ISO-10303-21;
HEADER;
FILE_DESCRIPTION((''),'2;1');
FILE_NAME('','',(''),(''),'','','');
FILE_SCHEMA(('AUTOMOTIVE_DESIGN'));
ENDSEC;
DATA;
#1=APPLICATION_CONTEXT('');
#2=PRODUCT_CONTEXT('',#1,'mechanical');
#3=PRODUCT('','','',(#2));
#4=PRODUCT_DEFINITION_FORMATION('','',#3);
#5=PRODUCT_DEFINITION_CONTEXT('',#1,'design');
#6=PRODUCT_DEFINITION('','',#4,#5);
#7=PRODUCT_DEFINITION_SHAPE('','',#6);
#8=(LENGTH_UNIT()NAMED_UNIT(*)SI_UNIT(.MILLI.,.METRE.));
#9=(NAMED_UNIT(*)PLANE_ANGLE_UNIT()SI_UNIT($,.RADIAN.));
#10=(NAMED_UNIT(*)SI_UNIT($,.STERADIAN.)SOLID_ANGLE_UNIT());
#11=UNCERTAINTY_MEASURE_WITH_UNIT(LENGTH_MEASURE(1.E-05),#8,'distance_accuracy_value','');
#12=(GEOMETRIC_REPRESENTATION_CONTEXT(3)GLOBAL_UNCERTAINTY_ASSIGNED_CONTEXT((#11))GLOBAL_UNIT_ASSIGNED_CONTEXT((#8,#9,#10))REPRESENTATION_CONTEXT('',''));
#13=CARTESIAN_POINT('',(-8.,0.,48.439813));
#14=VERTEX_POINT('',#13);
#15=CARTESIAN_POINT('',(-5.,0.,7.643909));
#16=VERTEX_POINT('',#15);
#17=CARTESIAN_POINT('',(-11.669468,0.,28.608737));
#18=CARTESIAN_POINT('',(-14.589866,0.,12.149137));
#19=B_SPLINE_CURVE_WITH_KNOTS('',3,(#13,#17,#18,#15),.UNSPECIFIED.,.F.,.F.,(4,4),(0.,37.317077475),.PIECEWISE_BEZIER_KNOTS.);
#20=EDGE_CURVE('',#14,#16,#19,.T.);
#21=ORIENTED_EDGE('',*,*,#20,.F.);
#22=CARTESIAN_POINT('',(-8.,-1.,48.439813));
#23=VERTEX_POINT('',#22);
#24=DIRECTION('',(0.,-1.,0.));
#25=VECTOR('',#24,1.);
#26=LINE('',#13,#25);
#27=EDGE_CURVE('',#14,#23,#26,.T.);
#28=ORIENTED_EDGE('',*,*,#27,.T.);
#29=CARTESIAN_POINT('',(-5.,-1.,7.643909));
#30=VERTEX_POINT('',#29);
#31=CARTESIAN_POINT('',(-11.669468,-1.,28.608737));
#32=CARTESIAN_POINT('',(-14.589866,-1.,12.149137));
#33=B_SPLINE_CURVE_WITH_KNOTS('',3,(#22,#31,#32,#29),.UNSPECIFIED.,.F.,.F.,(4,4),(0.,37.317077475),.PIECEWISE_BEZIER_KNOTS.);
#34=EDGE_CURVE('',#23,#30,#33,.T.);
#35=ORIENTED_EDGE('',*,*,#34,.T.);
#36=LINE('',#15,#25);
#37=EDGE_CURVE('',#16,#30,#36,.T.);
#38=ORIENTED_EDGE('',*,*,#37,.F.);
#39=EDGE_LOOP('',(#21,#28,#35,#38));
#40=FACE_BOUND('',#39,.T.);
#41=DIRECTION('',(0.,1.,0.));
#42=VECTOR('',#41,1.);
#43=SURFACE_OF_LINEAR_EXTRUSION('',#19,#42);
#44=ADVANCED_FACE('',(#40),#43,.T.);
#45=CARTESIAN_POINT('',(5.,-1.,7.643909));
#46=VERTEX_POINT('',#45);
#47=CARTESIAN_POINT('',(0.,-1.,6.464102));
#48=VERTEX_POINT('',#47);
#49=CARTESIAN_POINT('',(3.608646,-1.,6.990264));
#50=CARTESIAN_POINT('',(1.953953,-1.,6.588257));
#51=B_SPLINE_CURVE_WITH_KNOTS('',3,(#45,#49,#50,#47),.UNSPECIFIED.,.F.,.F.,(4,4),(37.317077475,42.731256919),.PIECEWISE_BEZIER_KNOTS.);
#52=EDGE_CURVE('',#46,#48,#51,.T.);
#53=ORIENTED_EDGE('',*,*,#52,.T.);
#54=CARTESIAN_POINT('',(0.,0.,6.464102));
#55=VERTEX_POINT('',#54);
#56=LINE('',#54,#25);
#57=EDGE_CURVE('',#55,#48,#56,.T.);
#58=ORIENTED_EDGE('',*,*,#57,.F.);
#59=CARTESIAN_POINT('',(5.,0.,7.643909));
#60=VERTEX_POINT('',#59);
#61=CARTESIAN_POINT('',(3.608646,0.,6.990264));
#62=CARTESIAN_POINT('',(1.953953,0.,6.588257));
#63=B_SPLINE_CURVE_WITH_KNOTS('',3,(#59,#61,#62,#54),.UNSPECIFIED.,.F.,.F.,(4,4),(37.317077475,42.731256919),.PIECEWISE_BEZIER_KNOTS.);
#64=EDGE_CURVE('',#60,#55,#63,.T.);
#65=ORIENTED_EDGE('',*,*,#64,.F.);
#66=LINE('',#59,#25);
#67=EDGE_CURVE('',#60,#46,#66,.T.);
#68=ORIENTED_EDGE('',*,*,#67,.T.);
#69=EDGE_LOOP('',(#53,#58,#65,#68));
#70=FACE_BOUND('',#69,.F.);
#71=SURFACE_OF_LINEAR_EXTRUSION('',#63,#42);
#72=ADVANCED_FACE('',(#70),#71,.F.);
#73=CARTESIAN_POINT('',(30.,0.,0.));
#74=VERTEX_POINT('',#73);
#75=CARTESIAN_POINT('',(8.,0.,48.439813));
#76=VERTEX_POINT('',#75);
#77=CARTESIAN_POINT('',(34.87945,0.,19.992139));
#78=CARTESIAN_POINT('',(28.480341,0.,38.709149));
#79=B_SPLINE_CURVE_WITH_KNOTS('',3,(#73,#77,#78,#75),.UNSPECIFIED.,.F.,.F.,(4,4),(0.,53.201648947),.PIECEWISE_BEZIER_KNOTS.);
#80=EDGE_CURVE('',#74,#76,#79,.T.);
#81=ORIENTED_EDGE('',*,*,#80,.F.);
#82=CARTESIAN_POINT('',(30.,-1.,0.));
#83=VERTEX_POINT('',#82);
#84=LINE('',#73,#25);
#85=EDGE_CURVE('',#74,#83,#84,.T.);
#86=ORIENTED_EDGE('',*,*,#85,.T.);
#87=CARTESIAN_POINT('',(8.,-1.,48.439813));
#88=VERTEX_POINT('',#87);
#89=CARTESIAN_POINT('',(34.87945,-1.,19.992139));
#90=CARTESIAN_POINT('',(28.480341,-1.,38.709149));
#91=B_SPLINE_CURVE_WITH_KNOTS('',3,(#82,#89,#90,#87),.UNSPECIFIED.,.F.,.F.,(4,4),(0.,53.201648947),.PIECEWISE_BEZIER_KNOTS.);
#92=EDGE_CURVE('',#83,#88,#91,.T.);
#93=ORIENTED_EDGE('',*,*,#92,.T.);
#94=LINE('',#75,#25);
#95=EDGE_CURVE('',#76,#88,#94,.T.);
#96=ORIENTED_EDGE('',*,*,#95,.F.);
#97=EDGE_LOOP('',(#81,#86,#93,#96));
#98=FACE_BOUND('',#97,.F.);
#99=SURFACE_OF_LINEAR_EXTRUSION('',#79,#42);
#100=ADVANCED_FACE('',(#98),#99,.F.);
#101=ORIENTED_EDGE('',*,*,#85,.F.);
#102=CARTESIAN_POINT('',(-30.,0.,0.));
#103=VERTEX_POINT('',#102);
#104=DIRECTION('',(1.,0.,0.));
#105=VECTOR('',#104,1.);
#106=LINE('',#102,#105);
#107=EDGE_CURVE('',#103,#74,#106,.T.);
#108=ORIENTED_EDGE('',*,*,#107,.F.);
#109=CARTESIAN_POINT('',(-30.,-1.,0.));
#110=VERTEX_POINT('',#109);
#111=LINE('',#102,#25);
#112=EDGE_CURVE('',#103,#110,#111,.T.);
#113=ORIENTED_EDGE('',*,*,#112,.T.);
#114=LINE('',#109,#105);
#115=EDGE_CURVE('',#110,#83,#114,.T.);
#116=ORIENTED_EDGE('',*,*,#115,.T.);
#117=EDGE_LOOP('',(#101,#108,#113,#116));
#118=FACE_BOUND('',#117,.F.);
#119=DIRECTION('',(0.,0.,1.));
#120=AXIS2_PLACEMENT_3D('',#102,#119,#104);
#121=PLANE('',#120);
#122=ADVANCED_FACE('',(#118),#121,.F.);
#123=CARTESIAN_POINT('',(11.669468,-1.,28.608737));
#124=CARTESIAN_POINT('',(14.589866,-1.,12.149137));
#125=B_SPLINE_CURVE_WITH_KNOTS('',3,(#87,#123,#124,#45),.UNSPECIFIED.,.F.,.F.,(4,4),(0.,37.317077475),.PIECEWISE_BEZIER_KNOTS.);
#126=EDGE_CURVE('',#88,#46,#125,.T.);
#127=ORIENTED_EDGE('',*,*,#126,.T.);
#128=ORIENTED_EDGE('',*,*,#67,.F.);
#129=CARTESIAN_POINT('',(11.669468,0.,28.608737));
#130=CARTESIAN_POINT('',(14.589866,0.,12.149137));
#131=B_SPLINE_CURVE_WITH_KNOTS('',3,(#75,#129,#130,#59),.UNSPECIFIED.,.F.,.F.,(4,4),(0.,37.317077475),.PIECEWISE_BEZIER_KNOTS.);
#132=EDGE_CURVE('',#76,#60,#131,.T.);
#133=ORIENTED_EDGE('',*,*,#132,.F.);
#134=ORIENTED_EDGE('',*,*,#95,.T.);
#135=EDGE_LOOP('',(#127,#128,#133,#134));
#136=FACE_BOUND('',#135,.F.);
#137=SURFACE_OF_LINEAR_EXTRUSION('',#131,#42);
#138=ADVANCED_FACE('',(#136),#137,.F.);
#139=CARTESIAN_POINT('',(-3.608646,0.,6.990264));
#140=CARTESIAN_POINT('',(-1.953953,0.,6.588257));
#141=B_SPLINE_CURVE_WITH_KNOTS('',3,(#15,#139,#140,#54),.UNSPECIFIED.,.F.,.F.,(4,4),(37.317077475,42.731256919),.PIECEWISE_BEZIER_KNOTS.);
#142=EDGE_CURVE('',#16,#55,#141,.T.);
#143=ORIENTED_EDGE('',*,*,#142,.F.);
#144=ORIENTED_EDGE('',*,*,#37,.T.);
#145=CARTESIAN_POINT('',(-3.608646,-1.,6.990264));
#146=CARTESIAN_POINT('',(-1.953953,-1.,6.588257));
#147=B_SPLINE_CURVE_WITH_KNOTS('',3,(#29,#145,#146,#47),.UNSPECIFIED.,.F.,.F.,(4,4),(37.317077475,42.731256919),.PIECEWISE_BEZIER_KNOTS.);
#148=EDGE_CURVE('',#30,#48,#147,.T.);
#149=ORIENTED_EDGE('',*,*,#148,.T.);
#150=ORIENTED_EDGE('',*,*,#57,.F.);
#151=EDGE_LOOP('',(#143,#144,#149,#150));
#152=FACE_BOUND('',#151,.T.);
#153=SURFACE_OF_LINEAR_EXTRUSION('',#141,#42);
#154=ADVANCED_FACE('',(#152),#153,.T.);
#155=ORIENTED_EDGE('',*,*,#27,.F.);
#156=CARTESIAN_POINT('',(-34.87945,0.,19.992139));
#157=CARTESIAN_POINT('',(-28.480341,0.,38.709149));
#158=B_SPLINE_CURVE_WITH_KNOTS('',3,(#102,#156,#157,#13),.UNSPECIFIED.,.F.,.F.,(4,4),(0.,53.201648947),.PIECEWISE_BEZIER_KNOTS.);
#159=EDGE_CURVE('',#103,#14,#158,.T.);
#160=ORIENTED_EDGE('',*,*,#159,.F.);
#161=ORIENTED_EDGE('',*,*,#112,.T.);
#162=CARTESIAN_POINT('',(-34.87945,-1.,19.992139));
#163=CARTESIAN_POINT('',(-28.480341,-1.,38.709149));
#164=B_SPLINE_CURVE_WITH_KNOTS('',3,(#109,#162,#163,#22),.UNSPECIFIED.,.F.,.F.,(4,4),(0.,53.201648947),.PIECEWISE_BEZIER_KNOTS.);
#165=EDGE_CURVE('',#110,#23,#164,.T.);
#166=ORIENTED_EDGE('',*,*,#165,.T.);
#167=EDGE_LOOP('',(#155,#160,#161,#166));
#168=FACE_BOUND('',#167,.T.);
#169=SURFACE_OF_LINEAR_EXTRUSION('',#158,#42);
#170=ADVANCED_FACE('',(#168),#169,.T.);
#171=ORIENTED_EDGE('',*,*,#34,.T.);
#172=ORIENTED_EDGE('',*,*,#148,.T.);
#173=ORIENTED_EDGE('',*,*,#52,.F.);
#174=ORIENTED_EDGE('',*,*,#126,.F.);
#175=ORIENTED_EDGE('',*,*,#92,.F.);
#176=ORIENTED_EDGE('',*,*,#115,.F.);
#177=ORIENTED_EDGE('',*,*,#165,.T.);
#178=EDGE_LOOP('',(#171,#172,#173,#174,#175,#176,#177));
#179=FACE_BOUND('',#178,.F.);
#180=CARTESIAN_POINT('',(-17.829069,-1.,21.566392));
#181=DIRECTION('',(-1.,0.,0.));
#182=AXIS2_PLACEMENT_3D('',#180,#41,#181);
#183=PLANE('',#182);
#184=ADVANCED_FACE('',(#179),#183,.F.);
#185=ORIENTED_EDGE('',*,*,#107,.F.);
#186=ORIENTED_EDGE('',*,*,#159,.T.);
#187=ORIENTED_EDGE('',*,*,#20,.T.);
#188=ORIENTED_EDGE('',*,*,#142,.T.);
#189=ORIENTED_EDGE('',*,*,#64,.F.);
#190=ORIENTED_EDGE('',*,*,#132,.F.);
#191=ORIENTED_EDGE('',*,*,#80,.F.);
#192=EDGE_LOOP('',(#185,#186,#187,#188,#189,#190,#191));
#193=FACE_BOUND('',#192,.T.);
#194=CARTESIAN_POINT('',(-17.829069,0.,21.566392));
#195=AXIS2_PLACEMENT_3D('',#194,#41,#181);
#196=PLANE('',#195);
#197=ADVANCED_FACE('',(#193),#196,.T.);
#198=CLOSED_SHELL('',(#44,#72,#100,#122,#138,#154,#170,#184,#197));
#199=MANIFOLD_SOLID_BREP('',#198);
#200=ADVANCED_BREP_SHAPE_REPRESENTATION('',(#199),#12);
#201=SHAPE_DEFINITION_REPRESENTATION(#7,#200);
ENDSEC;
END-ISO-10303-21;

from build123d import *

# Parameters (mm, degrees)
F1_DEPTH = 1


with BuildPart() as f1:
    # F0 (on Front) → F1 (new body)
    with BuildSketch(Plane.XZ):
        with BuildLine():
            add(Edge.make_bspline(
                [(-30, 0), (-34.879449755, 19.9921391904), (-28.4803413302, 38.7091490242), (-8, 48.4398126617)],
                knots=[0, 0, 0, 0, 53.2016489472, 53.2016489472, 53.2016489472, 53.2016489472], degree=3))
            Line((-30, 0), (-15, 0))
            Line((-15, 0), (-5, 7.6439085788))
            add(Edge.make_bspline(
                [(-8, 48.4398126617), (-11.6694678262, 28.6087372906), (-14.5898662605, 12.1491369723), (-5, 7.6439085788)],
                knots=[0, 0, 0, 0, 37.3170774752, 37.3170774752, 37.3170774752, 37.3170774752], degree=3))
        make_face()
        with BuildLine():
            Line((-5, 7.6439085788), (-15, 0))
            Line((-15, 0), (15, 0))
            Line((15, 0), (5, 7.6439085788))
            add(Edge.make_bspline(
                [(5, 7.6439085788), (3.6086462208, 6.9902637436), (1.9539526172, 6.5882572453), (0, 6.4641016151)],
                knots=[37.3170774752, 37.3170774752, 37.3170774752, 37.3170774752, 42.7312569188, 42.7312569188, 42.7312569188, 42.7312569188], degree=3))
            add(Edge.make_bspline(
                [(-5, 7.6439085788), (-3.6086462208, 6.9902637436), (-1.9539526172, 6.5882572453), (0, 6.4641016151)],
                knots=[37.3170774752, 37.3170774752, 37.3170774752, 37.3170774752, 42.7312569188, 42.7312569188, 42.7312569188, 42.7312569188], degree=3))
        make_face()
        with BuildLine():
            Line((5, 7.6439085788), (15, 0))
            Line((15, 0), (30, 0))
            add(Edge.make_bspline(
                [(30, 0), (34.879449755, 19.9921391904), (28.4803413302, 38.7091490242), (8, 48.4398126617)],
                knots=[0, 0, 0, 0, 53.2016489472, 53.2016489472, 53.2016489472, 53.2016489472], degree=3))
            add(Edge.make_bspline(
                [(8, 48.4398126617), (11.6694678262, 28.6087372906), (14.5898662605, 12.1491369723), (5, 7.6439085788)],
                knots=[0, 0, 0, 0, 37.3170774752, 37.3170774752, 37.3170774752, 37.3170774752], degree=3))
        make_face()
    extrude(amount=F1_DEPTH)


solid = f1.part
